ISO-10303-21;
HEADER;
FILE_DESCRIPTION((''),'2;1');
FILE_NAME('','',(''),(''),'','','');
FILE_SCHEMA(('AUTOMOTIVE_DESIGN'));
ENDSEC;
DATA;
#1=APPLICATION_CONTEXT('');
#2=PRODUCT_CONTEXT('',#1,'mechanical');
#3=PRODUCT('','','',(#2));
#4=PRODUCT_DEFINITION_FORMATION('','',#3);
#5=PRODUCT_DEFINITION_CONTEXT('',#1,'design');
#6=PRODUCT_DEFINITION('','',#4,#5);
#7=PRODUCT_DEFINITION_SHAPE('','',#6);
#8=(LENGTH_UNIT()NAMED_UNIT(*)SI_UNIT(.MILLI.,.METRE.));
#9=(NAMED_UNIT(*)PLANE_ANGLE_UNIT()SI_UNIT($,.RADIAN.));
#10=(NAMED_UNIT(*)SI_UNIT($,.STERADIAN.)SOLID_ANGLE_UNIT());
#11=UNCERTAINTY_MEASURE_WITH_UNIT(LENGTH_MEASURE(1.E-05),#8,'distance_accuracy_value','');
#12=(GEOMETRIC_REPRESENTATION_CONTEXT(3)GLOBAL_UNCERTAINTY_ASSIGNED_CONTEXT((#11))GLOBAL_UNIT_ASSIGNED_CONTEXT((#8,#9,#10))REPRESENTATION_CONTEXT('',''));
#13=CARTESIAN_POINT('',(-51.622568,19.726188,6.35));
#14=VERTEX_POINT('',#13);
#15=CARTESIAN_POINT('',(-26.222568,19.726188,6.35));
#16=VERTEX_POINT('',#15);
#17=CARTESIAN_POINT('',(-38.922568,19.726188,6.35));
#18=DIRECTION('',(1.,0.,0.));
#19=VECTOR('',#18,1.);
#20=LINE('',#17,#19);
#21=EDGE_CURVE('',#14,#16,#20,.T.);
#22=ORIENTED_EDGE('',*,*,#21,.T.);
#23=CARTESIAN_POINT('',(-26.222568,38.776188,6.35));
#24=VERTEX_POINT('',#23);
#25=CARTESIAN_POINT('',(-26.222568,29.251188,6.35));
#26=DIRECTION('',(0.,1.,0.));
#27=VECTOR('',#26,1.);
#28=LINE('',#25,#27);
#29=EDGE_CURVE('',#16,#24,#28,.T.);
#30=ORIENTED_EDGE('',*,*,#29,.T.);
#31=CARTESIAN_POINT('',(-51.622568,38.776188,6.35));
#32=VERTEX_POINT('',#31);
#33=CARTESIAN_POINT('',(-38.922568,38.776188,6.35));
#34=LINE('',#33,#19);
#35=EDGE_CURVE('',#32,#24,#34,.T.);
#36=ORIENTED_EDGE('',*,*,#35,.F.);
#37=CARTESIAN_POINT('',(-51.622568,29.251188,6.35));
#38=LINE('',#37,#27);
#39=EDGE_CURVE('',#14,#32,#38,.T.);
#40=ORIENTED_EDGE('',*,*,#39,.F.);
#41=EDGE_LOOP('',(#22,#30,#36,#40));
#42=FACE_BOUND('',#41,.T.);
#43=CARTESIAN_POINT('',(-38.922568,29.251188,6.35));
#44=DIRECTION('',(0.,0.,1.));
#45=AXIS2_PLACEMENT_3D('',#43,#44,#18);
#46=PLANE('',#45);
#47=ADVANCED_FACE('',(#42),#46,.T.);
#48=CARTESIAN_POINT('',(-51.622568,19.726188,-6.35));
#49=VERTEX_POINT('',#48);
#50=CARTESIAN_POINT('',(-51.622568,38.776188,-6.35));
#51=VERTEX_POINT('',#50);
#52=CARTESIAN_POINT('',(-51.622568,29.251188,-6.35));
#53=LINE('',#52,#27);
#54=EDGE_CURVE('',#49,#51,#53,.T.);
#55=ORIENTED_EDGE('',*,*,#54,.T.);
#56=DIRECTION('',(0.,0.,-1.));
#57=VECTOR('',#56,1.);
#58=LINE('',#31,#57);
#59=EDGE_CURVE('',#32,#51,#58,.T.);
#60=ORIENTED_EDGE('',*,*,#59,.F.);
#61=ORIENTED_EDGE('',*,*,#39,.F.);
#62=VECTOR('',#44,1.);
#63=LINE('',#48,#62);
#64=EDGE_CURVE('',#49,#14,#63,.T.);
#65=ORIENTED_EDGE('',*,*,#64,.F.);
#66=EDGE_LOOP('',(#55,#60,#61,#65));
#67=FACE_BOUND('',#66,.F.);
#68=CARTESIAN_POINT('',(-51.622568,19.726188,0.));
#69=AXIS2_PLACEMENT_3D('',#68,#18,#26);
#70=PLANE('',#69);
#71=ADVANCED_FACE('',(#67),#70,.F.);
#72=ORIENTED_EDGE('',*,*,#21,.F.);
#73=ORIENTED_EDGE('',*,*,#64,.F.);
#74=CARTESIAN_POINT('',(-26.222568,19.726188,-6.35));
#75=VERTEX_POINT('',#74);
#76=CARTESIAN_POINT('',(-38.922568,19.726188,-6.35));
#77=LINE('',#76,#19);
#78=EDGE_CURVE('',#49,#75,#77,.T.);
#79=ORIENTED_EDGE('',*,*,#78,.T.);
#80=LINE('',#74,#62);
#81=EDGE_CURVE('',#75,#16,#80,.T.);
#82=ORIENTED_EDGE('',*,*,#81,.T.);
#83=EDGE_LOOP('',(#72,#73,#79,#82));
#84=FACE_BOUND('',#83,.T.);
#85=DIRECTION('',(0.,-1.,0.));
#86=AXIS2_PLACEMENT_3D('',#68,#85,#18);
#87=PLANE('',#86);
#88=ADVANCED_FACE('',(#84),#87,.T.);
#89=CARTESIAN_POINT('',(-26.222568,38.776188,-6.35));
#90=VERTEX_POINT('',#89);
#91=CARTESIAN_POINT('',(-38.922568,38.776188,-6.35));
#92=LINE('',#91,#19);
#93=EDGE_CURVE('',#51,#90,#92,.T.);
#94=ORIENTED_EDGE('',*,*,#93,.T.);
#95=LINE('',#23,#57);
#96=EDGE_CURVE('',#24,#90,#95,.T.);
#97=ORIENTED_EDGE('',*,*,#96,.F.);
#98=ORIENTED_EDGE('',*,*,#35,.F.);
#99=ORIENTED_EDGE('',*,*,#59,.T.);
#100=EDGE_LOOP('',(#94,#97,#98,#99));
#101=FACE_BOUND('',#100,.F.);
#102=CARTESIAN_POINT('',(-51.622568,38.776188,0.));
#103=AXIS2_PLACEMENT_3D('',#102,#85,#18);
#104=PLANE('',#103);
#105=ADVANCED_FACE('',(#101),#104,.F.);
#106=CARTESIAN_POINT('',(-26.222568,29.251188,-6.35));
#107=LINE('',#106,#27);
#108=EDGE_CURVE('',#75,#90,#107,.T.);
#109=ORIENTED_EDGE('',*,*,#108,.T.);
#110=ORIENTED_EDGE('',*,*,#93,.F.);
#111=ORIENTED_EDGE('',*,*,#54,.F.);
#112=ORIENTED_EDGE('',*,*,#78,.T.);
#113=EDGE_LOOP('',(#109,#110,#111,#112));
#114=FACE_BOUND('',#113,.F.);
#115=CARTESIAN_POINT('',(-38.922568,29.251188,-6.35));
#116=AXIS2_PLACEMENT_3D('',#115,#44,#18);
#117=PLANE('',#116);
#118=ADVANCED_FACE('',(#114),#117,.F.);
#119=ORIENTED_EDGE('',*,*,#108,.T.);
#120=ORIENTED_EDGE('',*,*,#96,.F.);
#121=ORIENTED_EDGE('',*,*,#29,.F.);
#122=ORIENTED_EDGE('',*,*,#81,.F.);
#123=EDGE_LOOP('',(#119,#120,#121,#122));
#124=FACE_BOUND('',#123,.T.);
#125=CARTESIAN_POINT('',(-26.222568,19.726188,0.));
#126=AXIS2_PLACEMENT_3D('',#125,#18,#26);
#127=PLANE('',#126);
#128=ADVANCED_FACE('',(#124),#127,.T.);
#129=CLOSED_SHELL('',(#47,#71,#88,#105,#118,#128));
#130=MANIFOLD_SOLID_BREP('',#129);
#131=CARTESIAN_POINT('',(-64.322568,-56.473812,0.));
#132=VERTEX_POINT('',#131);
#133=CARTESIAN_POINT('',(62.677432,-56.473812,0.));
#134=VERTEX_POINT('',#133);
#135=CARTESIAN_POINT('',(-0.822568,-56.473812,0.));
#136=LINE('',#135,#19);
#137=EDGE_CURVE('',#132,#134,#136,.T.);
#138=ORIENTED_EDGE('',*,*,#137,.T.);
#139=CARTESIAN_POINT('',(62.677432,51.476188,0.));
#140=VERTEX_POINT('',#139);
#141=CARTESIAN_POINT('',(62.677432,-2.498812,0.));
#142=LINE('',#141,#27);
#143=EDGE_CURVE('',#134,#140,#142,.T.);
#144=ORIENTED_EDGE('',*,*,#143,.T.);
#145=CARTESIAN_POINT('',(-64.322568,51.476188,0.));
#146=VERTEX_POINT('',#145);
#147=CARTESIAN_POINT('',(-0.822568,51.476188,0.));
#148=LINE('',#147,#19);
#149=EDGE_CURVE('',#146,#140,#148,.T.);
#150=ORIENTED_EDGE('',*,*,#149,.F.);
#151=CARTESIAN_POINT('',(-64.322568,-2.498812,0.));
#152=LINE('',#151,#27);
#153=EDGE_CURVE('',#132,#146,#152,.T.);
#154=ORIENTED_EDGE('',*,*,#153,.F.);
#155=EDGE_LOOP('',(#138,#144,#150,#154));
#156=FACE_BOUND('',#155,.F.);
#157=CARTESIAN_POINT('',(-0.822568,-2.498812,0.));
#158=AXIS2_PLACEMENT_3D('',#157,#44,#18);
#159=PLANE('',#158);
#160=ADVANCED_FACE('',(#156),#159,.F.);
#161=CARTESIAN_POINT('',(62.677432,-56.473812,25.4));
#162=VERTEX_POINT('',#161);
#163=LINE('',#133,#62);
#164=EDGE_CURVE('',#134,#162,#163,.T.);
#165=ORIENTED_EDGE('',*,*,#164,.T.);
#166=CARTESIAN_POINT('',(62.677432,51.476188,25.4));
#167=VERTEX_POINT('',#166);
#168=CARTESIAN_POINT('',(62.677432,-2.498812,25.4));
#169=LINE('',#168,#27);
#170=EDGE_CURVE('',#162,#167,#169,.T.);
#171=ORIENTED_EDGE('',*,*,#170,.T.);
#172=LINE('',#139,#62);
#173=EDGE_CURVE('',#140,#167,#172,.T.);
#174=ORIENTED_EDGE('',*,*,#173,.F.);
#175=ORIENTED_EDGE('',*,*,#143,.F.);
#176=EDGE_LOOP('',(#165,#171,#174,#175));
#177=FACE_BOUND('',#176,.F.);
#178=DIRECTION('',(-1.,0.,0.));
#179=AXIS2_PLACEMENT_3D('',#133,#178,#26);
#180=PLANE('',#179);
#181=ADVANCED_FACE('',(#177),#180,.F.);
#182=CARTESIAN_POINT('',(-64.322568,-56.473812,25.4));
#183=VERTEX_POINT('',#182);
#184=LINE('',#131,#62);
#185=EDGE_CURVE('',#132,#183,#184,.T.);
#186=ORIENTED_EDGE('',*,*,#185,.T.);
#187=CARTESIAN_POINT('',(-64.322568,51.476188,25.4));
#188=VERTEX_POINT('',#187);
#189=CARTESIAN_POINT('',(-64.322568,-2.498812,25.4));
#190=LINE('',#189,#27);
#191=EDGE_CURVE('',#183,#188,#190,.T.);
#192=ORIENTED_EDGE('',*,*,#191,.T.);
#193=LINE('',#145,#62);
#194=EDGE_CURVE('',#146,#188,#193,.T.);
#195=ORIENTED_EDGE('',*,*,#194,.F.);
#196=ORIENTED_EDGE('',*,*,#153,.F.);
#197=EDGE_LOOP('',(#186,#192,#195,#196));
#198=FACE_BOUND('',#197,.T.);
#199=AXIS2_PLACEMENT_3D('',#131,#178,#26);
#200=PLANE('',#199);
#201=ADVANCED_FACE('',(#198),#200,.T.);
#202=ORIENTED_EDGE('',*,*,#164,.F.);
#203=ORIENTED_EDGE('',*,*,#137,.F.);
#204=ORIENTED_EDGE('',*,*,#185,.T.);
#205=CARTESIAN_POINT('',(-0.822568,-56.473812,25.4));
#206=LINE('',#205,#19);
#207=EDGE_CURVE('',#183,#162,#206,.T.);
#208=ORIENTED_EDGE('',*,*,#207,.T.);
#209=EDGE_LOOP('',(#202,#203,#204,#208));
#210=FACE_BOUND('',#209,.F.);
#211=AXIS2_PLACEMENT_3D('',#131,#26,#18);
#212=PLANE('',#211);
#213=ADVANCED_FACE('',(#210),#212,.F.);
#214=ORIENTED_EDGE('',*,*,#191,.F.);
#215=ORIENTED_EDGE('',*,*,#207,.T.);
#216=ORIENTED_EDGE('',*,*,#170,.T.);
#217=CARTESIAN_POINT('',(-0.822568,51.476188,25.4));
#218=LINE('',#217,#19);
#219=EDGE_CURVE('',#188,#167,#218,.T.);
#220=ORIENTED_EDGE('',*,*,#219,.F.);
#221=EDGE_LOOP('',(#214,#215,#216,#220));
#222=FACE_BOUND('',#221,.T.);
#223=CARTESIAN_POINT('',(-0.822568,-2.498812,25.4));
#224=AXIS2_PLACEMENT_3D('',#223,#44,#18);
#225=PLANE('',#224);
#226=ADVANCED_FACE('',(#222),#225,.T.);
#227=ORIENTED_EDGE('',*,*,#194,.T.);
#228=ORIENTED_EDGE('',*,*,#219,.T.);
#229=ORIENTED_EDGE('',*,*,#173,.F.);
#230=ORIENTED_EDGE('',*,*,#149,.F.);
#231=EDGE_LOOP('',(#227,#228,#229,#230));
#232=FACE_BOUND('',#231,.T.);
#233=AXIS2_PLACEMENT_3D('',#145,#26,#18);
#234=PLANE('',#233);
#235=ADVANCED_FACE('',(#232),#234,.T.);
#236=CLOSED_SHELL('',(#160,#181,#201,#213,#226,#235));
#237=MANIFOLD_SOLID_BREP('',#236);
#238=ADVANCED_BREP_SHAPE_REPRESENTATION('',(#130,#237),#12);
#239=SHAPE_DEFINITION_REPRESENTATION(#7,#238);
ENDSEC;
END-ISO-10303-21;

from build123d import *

# Parameters (mm, degrees)
F0_W     = 127
F0_H     = 107.95
F1_DEPTH = 25.4
F2_W     = 25.4
F2_H     = 19.05
F3_DEPTH = 6.35


with BuildPart() as f1:
    # F0 (on Top) → F1 (new body)
    with BuildSketch(Plane.XY):
        with Locations((-0.822568, -2.498812)):
            Rectangle(F0_W, F0_H)
    extrude(amount=F1_DEPTH)


with BuildPart() as f3:
    # F2 (on Top) → F3 (new body, symmetric)
    with BuildSketch(Plane.XY):
        with Locations((-38.922568, 29.251188)):
            Rectangle(F2_W, F2_H)
    extrude(amount=F3_DEPTH, both=True)


solid = Compound([f1.part, f3.part])
